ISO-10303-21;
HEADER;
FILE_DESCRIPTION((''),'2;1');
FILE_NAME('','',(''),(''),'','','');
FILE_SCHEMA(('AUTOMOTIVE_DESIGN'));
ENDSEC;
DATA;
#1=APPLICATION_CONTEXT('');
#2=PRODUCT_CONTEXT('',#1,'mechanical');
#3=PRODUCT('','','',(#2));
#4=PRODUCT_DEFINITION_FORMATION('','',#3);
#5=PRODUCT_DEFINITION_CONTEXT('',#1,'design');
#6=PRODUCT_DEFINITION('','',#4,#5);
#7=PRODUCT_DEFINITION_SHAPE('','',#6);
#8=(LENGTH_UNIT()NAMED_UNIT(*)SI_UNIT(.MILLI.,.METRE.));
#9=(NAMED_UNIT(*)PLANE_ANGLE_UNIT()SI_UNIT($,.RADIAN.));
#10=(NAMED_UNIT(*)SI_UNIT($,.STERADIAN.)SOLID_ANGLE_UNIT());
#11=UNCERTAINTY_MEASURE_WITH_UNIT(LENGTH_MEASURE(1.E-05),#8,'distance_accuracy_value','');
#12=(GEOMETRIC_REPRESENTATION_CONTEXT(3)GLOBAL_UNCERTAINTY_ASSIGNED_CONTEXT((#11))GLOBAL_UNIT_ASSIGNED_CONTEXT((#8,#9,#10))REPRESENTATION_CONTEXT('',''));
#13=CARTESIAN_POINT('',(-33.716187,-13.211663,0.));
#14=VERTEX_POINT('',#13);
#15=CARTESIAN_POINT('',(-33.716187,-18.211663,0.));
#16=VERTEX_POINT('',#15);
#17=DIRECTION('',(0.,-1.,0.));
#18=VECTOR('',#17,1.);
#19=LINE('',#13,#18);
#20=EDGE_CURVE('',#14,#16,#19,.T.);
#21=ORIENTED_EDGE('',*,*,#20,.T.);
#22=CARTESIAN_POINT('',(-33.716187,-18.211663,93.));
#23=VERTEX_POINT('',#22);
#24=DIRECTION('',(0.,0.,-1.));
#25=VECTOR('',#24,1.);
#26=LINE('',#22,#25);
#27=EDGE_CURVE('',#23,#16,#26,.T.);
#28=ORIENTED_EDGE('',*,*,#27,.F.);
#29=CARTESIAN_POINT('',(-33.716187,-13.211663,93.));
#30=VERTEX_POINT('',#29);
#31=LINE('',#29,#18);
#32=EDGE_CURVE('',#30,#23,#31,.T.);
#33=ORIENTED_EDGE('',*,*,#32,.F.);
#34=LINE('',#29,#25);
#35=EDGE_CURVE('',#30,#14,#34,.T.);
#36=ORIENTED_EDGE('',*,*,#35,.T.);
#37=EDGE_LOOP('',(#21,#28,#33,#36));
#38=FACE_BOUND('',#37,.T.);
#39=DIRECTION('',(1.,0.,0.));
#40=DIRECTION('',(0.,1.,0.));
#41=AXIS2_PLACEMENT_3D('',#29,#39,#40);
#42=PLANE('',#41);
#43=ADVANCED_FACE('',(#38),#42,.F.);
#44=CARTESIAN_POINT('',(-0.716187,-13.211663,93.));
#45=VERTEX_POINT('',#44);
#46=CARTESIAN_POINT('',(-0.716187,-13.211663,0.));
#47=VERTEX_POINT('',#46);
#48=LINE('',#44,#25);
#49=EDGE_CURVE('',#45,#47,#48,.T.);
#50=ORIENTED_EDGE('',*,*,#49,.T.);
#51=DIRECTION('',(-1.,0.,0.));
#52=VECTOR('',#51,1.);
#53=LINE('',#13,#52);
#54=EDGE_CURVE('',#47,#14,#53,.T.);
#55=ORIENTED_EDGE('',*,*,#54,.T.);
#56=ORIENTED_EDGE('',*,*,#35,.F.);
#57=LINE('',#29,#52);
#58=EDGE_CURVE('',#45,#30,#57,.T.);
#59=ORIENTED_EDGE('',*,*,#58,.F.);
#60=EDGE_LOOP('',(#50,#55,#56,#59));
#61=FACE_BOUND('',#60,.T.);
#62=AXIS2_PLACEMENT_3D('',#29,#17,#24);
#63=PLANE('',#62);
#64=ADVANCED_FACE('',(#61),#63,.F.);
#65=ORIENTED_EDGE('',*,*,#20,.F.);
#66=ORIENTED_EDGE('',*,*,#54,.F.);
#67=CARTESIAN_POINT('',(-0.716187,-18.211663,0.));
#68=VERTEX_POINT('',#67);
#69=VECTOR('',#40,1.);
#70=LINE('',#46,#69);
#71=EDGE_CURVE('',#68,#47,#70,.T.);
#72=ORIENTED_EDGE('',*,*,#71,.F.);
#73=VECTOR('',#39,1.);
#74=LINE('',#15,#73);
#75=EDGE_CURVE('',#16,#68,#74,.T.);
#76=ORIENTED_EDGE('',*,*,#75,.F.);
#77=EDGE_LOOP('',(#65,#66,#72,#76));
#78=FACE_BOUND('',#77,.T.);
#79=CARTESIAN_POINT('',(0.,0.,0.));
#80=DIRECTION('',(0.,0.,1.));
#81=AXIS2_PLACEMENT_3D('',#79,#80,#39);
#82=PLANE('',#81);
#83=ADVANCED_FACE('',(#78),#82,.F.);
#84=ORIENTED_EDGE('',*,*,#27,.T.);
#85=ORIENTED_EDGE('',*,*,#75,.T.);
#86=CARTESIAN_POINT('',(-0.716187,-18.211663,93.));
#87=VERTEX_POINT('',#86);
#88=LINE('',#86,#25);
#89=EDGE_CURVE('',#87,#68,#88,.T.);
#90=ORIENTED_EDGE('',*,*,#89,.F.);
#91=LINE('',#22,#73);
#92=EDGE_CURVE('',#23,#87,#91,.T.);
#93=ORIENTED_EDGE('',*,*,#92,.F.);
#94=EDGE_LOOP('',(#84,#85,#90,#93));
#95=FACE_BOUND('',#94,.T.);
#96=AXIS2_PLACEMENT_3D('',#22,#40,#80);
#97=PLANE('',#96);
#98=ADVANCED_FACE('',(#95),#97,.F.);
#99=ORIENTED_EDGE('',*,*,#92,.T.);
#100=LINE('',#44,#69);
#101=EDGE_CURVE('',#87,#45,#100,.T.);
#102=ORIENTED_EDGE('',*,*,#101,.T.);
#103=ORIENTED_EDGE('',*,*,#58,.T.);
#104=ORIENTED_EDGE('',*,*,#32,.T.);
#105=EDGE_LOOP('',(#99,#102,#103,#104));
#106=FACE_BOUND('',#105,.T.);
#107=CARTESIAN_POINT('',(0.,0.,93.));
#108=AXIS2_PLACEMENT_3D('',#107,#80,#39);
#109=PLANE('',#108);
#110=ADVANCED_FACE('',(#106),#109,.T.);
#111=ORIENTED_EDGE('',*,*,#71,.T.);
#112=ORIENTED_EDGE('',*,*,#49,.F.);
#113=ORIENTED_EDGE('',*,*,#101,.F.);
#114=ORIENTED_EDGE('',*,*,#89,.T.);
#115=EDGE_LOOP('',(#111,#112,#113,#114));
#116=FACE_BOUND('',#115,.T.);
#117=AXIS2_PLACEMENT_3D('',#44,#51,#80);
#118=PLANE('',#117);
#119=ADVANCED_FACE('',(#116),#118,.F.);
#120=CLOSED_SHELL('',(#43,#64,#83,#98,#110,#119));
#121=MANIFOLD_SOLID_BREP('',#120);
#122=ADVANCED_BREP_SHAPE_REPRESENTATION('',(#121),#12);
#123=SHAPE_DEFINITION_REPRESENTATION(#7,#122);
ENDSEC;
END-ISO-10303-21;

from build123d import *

# Parameters (mm, degrees)
ESBO_O1_W                = 33
ESBO_O1_H                = 5
RESSALTO_EXTRUS_O1_DEPTH = 93


with BuildPart() as part:
    # Esboço1 → Ressalto-extrusão1 (new body)
    with BuildSketch(Plane.XY):
        with Locations((-17.21618663, -15.711662851)):
            Rectangle(ESBO_O1_W, ESBO_O1_H)
    extrude(amount=RESSALTO_EXTRUS_O1_DEPTH)


solid = part.part
